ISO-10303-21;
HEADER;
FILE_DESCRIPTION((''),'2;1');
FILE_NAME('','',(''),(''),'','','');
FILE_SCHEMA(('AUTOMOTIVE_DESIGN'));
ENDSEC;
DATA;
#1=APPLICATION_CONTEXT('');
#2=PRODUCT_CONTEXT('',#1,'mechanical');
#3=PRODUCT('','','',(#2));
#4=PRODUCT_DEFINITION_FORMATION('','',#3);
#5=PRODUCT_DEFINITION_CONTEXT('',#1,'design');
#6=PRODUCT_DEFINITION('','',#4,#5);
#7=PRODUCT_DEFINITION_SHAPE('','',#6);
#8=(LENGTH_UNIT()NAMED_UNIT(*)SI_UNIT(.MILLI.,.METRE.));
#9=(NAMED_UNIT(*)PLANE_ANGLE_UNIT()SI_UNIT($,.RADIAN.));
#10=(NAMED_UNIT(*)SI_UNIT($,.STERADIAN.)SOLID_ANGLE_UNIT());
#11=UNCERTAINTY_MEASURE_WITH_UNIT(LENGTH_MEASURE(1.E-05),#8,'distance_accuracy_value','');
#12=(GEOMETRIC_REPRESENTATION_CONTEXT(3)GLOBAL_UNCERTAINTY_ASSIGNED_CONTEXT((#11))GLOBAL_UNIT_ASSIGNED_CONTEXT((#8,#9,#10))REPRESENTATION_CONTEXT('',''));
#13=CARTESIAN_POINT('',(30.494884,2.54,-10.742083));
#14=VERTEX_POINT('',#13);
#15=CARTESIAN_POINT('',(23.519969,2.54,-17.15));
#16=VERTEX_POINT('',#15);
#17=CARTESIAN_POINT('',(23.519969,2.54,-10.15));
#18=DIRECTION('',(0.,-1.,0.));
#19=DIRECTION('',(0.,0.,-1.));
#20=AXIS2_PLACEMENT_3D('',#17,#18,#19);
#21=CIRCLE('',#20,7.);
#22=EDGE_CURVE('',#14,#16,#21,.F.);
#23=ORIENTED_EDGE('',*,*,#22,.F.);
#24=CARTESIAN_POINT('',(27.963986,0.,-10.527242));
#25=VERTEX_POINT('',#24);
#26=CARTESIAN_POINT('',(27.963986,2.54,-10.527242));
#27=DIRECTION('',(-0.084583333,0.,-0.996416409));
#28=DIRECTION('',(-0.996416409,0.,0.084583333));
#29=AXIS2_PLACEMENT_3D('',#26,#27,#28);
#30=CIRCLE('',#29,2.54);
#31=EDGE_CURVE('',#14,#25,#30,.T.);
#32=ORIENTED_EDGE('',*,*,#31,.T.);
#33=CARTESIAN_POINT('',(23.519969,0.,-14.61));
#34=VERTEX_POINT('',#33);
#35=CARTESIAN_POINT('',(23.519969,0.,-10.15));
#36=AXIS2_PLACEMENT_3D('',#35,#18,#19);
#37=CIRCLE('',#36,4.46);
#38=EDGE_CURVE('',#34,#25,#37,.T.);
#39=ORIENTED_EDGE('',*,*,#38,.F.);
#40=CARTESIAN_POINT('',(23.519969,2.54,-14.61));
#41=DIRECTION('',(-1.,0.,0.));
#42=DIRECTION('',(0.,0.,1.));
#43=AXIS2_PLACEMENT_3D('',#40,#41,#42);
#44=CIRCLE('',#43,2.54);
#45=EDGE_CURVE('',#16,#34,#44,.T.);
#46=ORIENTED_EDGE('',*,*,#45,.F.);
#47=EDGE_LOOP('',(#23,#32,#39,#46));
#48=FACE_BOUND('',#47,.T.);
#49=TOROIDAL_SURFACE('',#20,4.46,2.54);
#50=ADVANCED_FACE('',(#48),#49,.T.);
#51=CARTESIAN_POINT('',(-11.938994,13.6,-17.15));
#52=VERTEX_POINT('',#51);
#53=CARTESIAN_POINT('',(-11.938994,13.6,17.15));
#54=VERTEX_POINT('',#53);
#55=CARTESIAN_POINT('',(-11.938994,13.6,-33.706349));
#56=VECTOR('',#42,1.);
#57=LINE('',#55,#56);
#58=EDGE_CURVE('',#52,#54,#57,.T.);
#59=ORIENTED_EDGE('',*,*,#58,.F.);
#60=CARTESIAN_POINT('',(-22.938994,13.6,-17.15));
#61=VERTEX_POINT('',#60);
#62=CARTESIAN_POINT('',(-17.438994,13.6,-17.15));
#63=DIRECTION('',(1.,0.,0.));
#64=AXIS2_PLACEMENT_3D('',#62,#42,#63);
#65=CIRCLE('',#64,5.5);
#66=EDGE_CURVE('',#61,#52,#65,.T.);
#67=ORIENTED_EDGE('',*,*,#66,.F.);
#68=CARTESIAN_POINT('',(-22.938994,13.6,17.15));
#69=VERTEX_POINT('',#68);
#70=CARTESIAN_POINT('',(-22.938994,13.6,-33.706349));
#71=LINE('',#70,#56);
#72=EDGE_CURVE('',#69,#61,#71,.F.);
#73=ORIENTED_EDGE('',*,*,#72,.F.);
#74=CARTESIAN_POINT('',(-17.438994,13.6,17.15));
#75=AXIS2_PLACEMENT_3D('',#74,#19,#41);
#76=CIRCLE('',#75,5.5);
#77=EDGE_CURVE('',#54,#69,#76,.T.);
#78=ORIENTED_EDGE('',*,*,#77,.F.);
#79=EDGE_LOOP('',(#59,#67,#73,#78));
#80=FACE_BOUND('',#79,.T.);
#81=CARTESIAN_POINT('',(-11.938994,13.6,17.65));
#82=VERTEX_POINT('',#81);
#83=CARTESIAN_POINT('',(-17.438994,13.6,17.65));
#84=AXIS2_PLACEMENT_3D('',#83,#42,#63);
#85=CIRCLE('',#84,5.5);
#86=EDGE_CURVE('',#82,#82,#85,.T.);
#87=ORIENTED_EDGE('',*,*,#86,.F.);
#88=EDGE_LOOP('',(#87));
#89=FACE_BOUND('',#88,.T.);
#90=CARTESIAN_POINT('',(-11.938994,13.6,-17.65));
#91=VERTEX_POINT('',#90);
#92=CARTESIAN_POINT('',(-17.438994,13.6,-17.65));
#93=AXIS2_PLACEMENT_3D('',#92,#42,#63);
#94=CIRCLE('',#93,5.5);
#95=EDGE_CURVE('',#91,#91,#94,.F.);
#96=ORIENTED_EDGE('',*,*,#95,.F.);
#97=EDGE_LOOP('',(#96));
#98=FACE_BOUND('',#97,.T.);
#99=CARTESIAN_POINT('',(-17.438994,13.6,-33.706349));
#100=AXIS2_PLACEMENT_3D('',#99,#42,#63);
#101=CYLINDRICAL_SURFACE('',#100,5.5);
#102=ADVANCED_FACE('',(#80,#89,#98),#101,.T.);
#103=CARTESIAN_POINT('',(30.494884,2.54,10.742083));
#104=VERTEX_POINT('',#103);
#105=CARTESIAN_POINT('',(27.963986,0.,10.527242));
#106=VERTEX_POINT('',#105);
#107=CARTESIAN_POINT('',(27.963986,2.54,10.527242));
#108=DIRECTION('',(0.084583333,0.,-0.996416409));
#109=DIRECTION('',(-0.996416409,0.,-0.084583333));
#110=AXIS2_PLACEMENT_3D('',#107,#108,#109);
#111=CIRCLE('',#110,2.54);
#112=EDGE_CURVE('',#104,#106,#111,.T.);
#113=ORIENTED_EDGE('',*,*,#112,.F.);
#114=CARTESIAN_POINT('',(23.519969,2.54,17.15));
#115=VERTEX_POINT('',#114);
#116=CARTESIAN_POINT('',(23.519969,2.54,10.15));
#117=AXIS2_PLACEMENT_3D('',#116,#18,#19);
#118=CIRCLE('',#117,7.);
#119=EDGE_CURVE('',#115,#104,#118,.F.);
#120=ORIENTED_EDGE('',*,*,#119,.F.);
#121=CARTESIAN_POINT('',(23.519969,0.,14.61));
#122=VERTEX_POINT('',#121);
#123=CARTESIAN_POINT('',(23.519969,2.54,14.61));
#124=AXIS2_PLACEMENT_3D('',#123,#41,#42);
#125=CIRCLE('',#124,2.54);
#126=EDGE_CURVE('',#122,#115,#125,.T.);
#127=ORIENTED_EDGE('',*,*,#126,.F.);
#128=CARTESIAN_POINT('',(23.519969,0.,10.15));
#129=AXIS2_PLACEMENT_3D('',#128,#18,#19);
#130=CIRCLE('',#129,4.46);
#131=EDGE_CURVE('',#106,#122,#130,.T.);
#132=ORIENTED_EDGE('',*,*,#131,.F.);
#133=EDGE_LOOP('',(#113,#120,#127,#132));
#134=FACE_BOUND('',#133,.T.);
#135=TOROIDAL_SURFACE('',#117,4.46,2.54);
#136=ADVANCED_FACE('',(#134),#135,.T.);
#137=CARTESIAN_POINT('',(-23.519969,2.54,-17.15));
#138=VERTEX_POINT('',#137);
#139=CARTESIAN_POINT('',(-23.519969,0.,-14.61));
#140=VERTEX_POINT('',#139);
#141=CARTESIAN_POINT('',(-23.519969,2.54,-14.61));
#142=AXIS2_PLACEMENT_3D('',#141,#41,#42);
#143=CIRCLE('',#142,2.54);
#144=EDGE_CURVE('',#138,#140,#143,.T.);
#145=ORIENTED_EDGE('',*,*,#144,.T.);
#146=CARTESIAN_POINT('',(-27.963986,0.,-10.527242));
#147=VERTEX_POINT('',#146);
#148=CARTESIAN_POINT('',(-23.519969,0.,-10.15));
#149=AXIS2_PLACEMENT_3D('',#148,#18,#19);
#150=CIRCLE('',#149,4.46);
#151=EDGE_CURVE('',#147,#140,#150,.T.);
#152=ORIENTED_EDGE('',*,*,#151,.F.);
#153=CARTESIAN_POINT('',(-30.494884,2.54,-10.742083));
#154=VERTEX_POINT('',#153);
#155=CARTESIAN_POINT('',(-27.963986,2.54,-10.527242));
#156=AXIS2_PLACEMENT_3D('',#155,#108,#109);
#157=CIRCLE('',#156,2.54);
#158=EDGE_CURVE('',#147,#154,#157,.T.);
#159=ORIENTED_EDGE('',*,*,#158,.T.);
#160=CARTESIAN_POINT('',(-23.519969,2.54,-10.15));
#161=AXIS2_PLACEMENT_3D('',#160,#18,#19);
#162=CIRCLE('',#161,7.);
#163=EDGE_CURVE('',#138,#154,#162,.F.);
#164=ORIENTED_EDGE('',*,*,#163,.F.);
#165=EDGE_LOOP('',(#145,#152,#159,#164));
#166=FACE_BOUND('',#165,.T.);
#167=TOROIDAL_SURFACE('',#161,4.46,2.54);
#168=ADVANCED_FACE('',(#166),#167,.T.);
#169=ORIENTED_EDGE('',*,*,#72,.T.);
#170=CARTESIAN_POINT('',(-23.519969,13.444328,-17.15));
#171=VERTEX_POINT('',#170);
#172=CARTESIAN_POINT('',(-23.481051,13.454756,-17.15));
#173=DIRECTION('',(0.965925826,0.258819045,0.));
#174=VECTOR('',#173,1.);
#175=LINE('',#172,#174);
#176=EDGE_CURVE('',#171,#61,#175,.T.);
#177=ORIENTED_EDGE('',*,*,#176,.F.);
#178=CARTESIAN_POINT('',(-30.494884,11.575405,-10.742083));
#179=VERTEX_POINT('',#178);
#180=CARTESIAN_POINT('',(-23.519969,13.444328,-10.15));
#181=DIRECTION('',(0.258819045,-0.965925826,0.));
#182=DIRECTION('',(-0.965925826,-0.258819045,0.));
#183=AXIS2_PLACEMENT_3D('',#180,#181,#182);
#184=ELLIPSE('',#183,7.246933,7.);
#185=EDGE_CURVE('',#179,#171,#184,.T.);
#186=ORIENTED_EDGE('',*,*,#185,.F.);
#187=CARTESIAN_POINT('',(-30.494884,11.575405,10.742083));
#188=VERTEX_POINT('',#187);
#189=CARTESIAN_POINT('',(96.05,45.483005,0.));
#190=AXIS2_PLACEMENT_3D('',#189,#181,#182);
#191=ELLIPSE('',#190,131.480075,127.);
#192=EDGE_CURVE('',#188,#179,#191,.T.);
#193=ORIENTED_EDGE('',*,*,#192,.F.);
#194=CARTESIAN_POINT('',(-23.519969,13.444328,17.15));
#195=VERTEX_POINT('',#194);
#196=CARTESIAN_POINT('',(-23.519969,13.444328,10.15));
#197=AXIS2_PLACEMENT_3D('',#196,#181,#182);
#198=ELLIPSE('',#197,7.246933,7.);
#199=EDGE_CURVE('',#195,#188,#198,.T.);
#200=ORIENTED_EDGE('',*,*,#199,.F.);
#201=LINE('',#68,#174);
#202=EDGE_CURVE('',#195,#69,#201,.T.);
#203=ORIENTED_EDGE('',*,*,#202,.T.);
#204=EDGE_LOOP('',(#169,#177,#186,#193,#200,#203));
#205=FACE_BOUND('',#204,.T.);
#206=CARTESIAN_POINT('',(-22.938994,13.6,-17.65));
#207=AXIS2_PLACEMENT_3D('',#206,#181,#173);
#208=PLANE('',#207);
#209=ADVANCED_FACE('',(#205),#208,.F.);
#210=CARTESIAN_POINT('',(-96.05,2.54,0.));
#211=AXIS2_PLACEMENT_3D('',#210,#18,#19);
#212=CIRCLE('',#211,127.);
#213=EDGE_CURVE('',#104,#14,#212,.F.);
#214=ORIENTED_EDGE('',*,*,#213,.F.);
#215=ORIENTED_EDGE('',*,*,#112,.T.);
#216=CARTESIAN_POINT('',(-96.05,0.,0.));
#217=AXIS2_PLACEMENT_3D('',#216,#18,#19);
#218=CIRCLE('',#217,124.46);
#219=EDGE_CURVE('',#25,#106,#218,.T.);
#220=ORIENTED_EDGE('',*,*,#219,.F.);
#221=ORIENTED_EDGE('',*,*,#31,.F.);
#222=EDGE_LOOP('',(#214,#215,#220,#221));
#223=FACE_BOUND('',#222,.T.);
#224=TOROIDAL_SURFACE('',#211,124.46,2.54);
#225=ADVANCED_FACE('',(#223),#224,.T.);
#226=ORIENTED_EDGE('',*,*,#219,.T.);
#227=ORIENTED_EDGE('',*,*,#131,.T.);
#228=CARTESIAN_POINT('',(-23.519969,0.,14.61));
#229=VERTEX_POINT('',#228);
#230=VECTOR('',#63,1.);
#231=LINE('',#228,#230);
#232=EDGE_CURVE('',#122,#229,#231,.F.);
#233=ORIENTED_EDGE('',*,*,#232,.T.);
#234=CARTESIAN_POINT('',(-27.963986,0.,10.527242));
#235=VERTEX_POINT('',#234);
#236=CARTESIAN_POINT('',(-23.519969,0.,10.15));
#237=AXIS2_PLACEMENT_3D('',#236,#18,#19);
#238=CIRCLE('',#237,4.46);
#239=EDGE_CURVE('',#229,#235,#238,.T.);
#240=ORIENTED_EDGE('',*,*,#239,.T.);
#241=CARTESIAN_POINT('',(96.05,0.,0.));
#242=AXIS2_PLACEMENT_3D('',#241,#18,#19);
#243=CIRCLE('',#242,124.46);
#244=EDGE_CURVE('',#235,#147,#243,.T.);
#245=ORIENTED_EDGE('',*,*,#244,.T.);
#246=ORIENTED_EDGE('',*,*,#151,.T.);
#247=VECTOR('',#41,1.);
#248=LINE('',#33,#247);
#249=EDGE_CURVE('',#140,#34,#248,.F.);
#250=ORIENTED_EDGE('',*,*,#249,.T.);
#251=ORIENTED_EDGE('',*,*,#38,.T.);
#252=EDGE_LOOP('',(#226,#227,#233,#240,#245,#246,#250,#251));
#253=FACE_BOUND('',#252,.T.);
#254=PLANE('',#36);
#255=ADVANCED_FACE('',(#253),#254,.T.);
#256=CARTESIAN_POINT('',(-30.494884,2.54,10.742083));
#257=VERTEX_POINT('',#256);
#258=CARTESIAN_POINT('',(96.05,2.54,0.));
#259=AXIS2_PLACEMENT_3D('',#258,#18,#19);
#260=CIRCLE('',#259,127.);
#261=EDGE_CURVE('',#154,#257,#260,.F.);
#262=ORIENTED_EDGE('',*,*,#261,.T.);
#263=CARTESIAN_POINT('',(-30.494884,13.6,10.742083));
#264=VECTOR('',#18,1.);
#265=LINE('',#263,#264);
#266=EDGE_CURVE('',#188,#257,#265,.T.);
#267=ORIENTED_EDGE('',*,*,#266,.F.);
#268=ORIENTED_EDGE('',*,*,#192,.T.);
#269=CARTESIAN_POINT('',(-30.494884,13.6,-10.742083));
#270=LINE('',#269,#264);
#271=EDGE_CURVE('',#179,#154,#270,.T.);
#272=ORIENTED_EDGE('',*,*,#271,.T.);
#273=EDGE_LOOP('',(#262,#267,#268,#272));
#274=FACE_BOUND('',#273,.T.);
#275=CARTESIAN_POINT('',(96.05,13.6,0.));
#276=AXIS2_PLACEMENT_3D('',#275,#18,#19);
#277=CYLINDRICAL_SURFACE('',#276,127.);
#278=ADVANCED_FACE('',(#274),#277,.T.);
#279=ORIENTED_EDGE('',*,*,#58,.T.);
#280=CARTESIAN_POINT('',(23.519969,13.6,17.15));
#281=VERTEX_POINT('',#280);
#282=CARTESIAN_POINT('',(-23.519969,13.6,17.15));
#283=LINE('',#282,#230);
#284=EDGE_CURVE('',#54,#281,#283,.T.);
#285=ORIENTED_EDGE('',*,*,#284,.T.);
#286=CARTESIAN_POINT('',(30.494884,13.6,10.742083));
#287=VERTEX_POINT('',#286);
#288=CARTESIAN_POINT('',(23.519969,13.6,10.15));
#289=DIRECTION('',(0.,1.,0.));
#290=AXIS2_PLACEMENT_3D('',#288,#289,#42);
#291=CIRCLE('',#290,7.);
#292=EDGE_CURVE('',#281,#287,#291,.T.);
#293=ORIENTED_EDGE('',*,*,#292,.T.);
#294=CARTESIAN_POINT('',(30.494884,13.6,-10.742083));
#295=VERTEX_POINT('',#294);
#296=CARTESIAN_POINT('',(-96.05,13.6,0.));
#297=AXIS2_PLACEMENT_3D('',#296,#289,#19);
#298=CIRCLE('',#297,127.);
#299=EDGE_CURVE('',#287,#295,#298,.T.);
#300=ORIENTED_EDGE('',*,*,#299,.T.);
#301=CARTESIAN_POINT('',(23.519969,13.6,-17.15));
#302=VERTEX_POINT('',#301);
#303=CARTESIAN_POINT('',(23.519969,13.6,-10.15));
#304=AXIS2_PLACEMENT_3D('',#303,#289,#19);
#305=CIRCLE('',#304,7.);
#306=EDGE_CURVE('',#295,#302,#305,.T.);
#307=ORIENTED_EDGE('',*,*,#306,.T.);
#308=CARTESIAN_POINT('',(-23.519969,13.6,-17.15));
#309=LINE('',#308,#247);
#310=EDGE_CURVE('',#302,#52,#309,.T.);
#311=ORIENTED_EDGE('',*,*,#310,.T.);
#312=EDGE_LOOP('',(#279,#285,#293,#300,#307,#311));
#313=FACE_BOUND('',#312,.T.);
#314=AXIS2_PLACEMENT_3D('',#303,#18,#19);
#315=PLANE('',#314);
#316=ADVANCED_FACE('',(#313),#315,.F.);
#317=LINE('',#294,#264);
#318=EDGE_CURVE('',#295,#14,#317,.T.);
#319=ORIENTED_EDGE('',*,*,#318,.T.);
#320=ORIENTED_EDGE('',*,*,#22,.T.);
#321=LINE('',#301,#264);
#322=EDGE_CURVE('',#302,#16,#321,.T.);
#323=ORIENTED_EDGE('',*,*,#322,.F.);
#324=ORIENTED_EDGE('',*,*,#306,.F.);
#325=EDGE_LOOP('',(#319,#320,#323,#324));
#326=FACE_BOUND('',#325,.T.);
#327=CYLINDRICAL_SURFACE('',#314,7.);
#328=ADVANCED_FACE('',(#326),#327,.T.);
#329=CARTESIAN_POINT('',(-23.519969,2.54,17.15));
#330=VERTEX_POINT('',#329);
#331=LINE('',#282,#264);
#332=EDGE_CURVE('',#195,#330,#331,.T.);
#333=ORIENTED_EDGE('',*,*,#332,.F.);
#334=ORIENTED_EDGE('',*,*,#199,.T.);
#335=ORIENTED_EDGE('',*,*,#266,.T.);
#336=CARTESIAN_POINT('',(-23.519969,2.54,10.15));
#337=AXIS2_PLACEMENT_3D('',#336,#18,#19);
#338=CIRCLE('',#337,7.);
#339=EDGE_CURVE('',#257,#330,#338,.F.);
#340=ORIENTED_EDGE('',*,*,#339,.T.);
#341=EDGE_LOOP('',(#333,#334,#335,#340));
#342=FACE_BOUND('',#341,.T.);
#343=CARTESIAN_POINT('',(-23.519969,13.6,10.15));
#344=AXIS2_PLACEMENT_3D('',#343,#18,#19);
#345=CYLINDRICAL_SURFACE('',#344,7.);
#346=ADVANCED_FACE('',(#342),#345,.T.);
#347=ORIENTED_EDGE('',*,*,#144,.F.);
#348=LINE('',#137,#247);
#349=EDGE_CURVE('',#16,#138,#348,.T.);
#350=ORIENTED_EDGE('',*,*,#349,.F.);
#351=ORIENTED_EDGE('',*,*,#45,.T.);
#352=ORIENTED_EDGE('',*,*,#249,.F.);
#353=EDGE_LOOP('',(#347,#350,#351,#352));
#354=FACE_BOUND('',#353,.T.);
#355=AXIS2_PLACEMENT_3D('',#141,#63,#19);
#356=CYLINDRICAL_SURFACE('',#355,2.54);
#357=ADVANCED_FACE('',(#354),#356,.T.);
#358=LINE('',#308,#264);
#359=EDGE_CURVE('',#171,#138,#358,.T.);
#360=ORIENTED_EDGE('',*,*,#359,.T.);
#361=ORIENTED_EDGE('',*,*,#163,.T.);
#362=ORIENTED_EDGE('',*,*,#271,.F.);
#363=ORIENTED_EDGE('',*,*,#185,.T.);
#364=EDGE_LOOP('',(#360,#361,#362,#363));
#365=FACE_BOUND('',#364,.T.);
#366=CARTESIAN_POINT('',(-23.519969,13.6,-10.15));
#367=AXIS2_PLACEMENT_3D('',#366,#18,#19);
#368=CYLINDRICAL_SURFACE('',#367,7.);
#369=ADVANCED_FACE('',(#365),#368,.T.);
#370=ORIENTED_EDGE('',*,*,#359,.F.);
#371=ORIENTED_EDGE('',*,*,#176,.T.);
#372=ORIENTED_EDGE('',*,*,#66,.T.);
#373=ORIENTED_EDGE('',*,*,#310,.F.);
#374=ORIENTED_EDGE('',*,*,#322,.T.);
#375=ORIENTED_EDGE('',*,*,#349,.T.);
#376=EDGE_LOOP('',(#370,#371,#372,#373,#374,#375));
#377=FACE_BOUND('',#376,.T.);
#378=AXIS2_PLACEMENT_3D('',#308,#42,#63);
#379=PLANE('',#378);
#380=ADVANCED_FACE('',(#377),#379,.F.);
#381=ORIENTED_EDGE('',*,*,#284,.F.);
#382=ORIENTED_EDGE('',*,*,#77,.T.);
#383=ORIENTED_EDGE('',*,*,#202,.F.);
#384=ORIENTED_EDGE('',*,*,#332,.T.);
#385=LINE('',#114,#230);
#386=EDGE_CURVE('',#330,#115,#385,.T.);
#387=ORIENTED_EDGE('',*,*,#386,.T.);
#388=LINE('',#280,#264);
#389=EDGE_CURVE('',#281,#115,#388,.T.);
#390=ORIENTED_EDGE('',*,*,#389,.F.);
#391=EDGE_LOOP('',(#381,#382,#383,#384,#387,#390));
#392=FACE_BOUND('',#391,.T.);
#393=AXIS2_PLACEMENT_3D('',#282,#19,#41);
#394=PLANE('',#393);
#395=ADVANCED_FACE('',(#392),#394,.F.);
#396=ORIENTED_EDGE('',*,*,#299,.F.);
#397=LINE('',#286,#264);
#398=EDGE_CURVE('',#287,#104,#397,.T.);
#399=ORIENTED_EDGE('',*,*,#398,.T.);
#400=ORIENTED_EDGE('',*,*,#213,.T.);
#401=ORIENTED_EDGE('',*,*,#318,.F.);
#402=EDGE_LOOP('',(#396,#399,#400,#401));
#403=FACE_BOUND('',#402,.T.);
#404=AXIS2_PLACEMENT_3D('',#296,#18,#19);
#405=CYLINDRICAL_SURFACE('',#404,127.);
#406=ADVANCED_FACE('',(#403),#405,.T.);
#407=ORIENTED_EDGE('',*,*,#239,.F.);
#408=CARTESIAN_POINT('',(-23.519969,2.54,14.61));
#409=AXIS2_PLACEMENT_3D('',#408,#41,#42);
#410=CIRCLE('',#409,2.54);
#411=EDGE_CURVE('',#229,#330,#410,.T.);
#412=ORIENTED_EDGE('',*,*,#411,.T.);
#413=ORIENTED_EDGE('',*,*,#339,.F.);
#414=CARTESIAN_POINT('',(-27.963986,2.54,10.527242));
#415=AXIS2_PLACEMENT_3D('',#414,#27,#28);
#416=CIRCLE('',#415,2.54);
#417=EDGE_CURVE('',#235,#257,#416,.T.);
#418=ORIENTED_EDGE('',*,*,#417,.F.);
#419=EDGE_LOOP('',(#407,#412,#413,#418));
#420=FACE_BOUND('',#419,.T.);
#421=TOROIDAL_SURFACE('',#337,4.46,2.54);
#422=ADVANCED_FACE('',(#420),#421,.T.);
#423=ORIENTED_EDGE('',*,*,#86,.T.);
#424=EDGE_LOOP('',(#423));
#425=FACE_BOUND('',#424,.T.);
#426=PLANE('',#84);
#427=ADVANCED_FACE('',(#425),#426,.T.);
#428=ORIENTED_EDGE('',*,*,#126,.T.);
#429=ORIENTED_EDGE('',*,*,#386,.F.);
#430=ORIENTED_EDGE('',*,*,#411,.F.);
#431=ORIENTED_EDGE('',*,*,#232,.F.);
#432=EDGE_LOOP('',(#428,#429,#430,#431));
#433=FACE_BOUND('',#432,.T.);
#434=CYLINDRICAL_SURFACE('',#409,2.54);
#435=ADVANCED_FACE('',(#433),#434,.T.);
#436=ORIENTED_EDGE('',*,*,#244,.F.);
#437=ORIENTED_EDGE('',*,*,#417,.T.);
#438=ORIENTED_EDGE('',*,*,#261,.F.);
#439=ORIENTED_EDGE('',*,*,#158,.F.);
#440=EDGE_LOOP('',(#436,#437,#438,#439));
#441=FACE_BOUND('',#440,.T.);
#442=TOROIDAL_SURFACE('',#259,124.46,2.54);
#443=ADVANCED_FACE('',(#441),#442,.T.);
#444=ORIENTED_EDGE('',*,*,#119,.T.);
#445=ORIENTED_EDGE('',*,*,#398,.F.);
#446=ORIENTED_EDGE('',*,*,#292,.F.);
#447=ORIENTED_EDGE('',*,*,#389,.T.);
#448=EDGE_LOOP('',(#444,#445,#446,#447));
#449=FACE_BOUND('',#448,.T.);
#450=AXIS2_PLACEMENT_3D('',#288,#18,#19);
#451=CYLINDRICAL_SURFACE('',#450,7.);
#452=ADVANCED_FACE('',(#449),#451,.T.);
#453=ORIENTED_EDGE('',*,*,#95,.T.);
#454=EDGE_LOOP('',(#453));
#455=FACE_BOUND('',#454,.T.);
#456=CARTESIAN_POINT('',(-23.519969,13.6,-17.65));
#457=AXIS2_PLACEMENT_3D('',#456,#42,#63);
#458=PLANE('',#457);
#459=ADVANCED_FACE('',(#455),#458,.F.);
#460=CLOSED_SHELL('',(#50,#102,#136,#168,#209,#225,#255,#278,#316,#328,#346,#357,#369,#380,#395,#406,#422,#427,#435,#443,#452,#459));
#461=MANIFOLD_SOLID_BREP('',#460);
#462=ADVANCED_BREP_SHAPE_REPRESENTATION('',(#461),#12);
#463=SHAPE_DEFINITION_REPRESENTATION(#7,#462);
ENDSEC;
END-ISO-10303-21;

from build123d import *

# Parameters (mm, degrees)
BOSS_EXTRUDE1_DEPTH      = 13.6
FILLET1_R                = 2.54
BOSS_EXTRUDE2_DEPTH      = 0.5
BOSS_EXTRUDE2_DEPTH_BACK = 34.8
SKETCH3_R                = 5.5
CUT_EXTRUDE2_DEPTH       = 51.336393456


with BuildPart() as part:
    # Sketch1 → Boss-Extrude1 (new body)
    with BuildSketch(Plane(origin=(0, 0, 0), x_dir=(1, 0, 0), z_dir=(0, 1, 0))):
        with BuildLine():
            Line((-23.519969056, 17.15), (23.519969056, 17.15))
            ThreePointArc((23.519969056, 17.15), (28.255759205, 15.304831876), (30.494883917, 10.742083333))
            ThreePointArc((30.494883917, 10.742083333), (30.95, 0), (30.494883917, -10.742083333))
            ThreePointArc((30.494883917, -10.742083333), (28.255759205, -15.304831876), (23.519969056, -17.15))
            Line((23.519969056, -17.15), (-23.519969056, -17.15))
            ThreePointArc((-23.519969056, -17.15), (-28.255759205, -15.304831876), (-30.494883917, -10.742083333))
            ThreePointArc((-30.494883917, -10.742083333), (-30.95, 0), (-30.494883917, 10.742083333))
            ThreePointArc((-30.494883917, 10.742083333), (-28.255759205, 15.304831876), (-23.519969056, 17.15))
        make_face()
    extrude(amount=BOSS_EXTRUDE1_DEPTH)

    # Fillet1
    fillet1_edges = [part.edges().sort_by_distance(p)[0] for p in [
        (-30.95, 0, 0),
        (-28.255759205, 0, -15.304831876),
        (0, 0, -17.15),
        (28.255759205, 0, -15.304831876),
        (30.95, 0, 0),
        (28.255759205, 0, 15.304831876),
        (0, 0, 17.15),
        (-28.255759205, 0, 15.304831876),
    ]]
    fillet(fillet1_edges, radius=FILLET1_R)

    # Sketch3 → Boss-Extrude2 (add, two sides: drawn at the far end of the back side and taken through both)
    with BuildSketch(Plane.XY.offset(17.15).offset(-BOSS_EXTRUDE2_DEPTH_BACK)):
        with Locations((-17.438993952, 13.6)):
            Circle(SKETCH3_R)
    extrude(amount=BOSS_EXTRUDE2_DEPTH + BOSS_EXTRUDE2_DEPTH_BACK)

    # Sketch5 → Cut-Extrude2 (cut, through all)
    with BuildSketch(Plane.XY.offset(17.15)):
        Polygon((-22.938993952, 13.6), (-30.95, 11.453457399), (-30.95, 13.6), align=None)
    extrude(amount=-CUT_EXTRUDE2_DEPTH, mode=Mode.SUBTRACT)


solid = part.part
